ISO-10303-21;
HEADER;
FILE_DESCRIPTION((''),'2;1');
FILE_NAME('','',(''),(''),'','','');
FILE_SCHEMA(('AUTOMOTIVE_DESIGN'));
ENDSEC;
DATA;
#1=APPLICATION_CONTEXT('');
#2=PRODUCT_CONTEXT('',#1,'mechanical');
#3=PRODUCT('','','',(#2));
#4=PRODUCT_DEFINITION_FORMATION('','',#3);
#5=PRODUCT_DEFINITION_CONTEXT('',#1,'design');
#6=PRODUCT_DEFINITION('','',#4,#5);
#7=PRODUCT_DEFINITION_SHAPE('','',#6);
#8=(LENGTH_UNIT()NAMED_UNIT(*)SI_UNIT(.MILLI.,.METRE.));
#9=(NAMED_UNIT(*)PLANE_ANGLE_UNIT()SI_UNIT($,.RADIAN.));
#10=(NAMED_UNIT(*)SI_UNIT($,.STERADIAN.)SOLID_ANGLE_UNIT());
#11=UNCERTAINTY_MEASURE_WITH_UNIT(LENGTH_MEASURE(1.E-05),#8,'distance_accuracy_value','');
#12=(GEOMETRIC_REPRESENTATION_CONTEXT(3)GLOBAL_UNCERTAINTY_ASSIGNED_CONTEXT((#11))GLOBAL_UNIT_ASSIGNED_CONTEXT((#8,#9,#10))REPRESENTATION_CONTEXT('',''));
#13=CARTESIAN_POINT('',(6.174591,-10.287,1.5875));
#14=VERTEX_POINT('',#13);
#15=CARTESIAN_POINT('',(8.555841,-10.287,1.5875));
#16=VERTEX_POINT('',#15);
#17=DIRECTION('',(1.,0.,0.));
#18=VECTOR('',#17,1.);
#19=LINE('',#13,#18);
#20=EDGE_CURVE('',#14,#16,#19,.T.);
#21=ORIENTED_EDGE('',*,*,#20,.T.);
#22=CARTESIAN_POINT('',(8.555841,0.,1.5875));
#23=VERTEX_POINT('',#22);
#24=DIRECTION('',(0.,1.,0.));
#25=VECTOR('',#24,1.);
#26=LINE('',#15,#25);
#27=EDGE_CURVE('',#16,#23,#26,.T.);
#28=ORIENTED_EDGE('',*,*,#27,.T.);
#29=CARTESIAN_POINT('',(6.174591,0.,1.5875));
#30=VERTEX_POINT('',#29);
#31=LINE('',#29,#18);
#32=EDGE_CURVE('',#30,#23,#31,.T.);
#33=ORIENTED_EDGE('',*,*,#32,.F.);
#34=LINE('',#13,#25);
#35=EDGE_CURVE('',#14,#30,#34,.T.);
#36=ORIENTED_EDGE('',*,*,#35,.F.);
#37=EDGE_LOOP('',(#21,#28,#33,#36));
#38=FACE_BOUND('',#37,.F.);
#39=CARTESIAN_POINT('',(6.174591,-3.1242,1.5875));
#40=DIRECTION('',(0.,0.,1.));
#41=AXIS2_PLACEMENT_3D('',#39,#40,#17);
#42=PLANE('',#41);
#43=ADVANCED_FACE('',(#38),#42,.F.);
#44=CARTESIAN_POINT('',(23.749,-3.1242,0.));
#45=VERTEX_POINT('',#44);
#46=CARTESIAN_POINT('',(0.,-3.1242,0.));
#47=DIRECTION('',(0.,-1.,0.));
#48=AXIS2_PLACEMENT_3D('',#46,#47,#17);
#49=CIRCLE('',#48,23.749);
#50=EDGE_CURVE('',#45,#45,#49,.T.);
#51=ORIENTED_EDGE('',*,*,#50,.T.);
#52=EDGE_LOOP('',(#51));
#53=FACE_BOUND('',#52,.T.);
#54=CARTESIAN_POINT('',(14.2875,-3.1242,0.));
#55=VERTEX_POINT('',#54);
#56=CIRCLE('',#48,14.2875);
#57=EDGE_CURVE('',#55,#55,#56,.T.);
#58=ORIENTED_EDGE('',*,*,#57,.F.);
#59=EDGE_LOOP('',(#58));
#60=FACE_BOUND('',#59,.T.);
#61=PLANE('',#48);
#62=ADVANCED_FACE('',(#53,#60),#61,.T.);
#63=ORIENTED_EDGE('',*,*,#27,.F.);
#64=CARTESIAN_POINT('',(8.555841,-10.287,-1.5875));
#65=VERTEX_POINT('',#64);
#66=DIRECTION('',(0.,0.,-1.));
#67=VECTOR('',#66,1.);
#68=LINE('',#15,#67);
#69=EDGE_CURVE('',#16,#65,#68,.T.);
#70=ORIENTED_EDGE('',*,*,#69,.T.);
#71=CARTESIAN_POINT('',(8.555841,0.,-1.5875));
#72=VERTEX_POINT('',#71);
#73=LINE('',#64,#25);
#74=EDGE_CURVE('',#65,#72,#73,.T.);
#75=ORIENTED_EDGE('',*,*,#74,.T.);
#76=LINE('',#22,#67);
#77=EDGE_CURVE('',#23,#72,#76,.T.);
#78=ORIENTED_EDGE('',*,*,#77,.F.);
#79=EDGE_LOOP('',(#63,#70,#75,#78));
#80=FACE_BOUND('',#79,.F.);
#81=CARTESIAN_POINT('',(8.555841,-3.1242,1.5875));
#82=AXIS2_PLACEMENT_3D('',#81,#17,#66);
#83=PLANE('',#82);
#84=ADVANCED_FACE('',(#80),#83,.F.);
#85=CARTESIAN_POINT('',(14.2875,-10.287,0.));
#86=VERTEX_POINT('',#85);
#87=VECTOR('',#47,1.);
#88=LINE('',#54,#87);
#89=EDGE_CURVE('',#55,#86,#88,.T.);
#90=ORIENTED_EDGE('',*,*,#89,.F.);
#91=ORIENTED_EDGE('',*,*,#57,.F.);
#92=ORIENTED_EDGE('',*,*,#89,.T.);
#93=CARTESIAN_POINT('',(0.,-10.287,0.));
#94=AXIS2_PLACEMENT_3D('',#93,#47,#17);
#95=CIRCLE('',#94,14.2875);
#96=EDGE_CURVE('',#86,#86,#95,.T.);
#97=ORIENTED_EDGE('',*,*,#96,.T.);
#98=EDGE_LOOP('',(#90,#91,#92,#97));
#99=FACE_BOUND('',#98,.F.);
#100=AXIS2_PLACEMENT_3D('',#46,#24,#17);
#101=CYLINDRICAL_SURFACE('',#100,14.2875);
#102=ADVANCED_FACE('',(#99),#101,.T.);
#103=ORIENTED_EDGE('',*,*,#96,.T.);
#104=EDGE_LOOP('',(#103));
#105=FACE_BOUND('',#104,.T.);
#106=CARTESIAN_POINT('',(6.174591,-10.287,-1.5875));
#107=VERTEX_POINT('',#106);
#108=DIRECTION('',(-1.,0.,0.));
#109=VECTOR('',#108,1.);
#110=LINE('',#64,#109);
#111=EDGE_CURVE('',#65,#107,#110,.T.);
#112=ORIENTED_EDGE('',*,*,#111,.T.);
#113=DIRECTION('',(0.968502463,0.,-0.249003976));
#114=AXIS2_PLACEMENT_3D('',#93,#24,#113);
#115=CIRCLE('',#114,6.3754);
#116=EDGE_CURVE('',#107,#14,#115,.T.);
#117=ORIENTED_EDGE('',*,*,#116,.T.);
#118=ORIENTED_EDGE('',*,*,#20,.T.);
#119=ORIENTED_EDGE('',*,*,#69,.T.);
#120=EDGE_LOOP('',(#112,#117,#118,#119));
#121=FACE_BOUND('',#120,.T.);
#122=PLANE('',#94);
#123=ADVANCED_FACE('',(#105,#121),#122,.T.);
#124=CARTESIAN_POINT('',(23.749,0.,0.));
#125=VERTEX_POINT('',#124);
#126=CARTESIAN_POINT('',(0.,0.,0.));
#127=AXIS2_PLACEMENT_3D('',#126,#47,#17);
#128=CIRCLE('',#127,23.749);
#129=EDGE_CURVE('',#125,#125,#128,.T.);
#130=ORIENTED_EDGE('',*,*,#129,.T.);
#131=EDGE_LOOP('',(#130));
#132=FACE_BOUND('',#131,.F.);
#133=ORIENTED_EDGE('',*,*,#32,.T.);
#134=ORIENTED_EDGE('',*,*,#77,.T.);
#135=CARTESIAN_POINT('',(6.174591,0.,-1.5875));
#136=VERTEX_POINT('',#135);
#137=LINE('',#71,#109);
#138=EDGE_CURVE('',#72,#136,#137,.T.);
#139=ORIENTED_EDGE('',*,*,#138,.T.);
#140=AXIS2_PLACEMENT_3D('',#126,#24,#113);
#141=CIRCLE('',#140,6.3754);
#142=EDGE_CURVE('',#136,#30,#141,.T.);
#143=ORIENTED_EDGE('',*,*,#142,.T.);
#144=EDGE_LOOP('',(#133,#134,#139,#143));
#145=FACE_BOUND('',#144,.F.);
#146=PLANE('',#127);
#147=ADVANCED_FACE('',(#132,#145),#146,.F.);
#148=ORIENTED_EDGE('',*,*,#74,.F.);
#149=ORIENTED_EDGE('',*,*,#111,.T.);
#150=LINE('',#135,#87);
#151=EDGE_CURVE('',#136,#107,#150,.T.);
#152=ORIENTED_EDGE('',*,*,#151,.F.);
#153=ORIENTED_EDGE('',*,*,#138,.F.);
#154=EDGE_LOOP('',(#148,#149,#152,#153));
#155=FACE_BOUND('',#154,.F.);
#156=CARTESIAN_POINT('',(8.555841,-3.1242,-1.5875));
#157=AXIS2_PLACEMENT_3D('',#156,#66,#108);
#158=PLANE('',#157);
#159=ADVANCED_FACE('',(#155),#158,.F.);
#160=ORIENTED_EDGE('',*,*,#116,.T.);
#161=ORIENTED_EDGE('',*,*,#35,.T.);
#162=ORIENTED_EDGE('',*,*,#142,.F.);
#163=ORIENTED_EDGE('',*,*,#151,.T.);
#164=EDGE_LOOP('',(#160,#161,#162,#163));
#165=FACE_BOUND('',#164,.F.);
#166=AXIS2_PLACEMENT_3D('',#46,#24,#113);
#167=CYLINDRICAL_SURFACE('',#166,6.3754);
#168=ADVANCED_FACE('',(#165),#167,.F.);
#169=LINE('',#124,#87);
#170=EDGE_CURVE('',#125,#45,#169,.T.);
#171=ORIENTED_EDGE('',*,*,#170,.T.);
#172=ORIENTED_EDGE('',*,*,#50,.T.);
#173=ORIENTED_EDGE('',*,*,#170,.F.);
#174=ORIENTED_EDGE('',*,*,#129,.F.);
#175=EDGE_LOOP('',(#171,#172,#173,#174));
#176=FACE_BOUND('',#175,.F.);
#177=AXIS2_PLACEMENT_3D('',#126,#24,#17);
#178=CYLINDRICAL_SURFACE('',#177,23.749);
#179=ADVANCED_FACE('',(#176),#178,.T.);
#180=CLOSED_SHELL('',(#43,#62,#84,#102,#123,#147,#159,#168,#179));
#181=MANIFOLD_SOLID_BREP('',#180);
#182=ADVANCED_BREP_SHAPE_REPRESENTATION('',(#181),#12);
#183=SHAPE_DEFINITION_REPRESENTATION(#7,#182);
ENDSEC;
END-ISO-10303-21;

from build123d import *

# Parameters (mm, degrees)
F0_R     = 23.749
F1_DEPTH = 3.1242
F2_R     = 14.2875
F3_DEPTH = 7.1628


with BuildPart() as f1:
    # F0 (on Front) → F1 (new body)
    with BuildSketch(Plane.XZ):
        Circle(F0_R)
        with BuildLine():
            ThreePointArc((6.174591, -1.5875), (-6.3754, 0), (6.174591, 1.5875))
            Line((6.174591, 1.5875), (8.555841, 1.5875))
            Line((8.555841, 1.5875), (8.555841, -1.5875))
            Line((8.555841, -1.5875), (6.174591, -1.5875))
        make_face(mode=Mode.SUBTRACT)
    extrude(amount=F1_DEPTH)

    # F2 (on face) → F3 (join)
    with BuildSketch(Plane.XZ.offset(3.1242)):
        Circle(F2_R)
        with BuildLine():
            ThreePointArc((6.174591, -1.5875), (-6.3754, 0), (6.174591, 1.5875))
            Line((6.174591, 1.5875), (8.555841, 1.5875))
            Line((8.555841, 1.5875), (8.555841, -1.5875))
            Line((8.555841, -1.5875), (6.174591, -1.5875))
        make_face(mode=Mode.SUBTRACT)
    extrude(amount=F3_DEPTH)


solid = f1.part
